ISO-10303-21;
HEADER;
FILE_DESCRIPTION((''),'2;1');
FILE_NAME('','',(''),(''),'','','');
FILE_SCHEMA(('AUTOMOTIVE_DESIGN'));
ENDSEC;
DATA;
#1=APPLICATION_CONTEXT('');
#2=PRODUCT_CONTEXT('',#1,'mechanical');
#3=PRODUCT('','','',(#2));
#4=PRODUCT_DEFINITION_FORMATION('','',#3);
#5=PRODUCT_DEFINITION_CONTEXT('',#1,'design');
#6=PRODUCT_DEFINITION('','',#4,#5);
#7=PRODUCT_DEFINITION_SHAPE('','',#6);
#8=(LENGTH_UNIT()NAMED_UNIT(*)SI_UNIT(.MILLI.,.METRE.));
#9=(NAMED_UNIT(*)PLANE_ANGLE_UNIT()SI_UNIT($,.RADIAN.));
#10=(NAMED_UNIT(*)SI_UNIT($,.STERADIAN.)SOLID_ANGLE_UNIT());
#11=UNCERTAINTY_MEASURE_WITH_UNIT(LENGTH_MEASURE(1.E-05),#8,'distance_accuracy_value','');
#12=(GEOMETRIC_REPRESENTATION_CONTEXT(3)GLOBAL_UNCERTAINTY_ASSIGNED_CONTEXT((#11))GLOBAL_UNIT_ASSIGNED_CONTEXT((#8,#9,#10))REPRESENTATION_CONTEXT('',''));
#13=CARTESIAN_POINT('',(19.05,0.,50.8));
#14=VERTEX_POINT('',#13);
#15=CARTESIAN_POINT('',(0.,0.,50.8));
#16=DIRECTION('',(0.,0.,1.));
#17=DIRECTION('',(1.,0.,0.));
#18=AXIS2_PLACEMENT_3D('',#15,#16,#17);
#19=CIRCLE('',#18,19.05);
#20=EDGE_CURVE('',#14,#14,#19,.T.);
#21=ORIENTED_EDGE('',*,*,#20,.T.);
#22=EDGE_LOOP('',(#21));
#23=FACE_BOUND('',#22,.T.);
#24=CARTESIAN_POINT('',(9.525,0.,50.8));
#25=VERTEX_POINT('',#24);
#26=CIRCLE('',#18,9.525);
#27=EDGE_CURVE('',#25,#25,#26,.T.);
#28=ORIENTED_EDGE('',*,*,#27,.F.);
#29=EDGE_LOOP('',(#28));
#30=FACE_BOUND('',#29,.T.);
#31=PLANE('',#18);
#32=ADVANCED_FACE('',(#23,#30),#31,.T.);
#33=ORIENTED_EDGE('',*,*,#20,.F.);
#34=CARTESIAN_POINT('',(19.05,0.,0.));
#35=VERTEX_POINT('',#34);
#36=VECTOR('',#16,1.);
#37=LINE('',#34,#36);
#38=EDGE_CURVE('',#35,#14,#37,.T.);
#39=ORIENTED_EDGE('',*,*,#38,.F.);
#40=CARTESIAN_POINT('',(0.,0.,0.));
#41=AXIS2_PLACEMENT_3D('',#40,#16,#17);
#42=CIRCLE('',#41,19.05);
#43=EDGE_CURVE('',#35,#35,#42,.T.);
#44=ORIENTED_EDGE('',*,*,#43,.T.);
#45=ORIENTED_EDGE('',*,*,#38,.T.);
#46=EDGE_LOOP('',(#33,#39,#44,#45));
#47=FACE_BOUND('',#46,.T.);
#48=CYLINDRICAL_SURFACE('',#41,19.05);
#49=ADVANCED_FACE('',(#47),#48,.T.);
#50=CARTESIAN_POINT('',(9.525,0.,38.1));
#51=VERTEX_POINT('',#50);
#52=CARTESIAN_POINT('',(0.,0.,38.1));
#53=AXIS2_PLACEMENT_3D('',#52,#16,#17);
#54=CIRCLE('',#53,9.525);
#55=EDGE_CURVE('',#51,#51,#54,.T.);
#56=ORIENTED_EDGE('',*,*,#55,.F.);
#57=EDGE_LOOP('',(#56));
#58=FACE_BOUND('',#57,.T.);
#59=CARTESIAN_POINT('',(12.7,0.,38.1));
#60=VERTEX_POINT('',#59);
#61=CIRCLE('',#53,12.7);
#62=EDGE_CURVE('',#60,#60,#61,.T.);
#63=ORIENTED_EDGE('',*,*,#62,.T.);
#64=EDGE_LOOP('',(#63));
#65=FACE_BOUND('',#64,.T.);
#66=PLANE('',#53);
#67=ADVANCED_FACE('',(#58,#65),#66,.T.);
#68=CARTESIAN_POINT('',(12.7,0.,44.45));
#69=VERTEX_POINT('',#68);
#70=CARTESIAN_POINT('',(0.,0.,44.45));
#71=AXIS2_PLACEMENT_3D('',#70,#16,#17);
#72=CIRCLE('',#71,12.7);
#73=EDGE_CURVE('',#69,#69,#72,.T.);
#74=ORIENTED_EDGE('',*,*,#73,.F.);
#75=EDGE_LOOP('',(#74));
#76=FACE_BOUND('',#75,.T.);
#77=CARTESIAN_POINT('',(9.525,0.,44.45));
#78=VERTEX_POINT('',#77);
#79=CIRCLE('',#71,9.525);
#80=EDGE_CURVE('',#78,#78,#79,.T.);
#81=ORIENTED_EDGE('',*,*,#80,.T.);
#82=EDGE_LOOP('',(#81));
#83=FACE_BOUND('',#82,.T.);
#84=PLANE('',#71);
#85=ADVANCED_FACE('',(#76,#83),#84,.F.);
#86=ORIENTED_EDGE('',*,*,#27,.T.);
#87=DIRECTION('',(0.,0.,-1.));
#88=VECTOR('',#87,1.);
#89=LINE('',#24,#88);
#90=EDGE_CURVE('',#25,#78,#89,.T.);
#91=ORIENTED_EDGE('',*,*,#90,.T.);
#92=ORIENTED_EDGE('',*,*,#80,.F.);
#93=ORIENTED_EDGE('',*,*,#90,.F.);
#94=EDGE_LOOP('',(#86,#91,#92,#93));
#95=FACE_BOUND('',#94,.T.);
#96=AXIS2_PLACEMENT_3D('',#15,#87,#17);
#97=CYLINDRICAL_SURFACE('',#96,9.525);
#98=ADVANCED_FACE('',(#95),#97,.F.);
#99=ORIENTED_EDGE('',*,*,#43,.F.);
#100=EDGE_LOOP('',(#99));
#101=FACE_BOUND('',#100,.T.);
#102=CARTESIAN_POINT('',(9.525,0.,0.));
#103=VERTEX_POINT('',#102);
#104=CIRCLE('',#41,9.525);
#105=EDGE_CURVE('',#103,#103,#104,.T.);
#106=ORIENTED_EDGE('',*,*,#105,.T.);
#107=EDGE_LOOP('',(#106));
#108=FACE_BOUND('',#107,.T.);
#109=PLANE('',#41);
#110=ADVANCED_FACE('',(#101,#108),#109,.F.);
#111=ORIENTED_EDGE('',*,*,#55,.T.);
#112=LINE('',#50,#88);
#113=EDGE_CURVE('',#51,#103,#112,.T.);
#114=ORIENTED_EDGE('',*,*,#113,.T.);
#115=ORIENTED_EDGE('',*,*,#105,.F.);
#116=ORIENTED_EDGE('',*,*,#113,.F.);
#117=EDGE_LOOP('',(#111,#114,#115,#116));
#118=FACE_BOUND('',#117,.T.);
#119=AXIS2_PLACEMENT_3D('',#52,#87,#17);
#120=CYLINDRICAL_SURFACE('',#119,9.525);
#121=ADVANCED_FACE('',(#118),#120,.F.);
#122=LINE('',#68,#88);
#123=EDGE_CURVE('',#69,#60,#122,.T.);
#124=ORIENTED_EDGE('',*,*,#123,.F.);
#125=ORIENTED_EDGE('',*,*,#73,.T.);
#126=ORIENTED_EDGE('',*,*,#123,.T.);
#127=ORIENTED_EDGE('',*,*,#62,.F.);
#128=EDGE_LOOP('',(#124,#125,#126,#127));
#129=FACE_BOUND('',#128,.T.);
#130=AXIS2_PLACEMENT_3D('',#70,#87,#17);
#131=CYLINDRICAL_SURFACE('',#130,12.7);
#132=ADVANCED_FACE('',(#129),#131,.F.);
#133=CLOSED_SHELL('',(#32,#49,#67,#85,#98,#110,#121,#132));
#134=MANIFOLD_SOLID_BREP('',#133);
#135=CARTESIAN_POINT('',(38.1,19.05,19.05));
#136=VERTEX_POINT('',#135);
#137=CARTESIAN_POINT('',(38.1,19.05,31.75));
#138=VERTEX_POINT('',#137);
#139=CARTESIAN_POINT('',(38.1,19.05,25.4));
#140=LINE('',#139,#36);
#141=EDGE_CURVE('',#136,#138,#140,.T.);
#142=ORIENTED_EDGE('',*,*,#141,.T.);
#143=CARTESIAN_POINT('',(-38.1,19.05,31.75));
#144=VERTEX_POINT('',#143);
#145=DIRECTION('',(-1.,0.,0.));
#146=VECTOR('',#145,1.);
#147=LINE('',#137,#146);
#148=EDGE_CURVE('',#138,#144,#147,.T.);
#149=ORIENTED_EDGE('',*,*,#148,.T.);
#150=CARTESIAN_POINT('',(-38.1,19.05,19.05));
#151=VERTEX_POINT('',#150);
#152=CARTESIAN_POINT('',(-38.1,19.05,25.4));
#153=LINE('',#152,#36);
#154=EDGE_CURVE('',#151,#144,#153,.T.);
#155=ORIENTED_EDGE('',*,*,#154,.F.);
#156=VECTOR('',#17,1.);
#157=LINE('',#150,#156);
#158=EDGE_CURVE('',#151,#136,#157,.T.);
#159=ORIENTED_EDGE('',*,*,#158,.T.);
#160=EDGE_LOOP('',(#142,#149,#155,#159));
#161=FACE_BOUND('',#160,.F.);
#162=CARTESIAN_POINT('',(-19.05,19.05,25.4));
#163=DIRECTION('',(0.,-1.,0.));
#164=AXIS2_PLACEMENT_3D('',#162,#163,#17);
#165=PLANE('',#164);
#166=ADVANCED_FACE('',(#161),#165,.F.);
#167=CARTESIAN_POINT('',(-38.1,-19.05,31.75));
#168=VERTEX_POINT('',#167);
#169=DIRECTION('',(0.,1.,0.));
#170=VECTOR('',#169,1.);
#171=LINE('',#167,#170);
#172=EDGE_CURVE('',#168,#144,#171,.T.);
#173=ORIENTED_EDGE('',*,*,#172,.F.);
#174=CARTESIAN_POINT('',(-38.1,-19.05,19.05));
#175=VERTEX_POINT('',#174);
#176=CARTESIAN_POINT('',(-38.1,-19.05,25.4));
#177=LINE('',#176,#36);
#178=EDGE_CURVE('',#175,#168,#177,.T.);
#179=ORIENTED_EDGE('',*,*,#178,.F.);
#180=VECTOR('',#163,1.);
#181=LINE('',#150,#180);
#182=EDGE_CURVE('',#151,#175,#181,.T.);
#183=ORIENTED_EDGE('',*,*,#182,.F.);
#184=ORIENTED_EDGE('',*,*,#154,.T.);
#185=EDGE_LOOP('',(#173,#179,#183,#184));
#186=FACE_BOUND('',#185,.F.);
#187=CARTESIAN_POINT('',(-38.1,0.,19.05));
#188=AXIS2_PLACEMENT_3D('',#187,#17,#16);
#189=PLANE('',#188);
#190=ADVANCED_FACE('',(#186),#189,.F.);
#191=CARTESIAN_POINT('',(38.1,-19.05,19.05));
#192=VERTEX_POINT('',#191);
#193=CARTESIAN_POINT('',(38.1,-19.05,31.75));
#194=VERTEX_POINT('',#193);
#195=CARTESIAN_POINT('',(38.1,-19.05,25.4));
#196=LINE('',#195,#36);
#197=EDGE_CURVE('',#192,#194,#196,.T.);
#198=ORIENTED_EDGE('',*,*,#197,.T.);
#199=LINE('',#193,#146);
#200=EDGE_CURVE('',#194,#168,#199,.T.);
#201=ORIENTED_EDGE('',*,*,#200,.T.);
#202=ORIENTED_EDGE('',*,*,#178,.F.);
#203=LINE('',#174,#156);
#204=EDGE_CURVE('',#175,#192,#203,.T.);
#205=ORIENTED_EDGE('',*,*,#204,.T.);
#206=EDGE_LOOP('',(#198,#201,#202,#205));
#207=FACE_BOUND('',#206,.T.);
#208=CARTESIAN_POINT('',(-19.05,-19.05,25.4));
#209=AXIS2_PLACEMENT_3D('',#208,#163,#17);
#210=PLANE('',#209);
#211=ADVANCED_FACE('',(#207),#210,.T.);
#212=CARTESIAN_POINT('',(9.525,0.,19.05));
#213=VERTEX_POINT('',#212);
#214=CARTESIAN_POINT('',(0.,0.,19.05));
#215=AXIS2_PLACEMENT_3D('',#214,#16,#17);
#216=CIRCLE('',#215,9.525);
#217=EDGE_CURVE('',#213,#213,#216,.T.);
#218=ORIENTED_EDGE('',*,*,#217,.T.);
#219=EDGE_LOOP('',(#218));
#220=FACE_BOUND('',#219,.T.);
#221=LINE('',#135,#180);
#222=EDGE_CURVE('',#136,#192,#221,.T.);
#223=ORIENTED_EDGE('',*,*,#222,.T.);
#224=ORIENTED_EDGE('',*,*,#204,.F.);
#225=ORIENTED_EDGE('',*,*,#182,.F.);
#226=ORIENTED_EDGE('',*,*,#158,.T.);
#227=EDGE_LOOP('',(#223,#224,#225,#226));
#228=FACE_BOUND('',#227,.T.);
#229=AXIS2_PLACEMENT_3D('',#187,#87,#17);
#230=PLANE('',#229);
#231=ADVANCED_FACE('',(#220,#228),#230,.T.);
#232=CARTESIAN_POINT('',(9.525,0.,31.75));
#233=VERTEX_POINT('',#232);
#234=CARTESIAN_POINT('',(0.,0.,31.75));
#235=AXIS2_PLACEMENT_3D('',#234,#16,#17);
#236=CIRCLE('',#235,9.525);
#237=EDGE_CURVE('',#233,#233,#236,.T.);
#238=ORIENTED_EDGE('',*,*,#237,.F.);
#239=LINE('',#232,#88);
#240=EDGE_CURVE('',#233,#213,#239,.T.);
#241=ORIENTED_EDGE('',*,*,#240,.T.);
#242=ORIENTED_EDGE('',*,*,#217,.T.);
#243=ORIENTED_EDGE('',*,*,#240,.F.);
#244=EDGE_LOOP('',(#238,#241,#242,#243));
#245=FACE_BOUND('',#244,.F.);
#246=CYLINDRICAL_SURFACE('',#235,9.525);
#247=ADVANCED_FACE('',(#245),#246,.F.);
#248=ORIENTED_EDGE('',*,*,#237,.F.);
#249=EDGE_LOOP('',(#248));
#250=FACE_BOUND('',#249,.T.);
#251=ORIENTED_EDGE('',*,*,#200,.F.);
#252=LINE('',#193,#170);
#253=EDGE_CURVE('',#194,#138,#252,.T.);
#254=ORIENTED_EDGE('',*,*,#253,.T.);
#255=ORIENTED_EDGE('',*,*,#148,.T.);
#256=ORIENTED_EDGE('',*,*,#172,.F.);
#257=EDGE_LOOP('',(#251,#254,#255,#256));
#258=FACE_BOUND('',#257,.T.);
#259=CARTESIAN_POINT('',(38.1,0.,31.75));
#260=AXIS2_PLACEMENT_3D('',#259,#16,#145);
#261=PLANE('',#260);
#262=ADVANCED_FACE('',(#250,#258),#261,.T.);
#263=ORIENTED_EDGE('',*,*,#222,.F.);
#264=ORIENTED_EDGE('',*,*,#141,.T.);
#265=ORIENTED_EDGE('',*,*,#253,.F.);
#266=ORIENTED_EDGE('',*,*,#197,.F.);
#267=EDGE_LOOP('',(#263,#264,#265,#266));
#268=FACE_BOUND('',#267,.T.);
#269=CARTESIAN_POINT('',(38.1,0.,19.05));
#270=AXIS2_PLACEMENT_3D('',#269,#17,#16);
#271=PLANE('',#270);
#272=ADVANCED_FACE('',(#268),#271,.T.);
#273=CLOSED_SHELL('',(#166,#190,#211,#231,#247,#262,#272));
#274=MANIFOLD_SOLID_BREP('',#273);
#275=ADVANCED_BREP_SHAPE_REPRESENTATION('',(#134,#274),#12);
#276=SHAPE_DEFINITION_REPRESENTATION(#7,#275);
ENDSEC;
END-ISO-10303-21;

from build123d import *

# Parameters (mm, degrees)
F0_W     = 9.525
F0_H     = 19.05
F0_H_2   = 12.7
F0_W_2   = 38.1
F0_W_3   = 19.05
F2_DEPTH = 19.05
F3_R     = 9.525
F4_DEPTH = 31.751


with BuildPart() as f1:
    # F0 (on Front) → F1 (revolve)
    with BuildSketch(Plane.XZ):
        Polygon((12.7, 38.1), (9.525, 38.1), (9.525, 31.75), (19.05, 31.75), (19.05, 50.8), (9.525, 50.8), (9.525, 44.45), (12.7, 44.45), align=None)
        with Locations((14.2875, 9.525)):
            Rectangle(F0_W, F0_H)
        with Locations((14.2875, 25.4)):
            Rectangle(F0_W, F0_H_2)
    revolve(axis=Axis((0, 0, 25.4), (0, 0, 1)))


with BuildPart() as f2:
    # F0 (on Front) → F2 (new body, symmetric)
    with BuildSketch(Plane.XZ):
        with Locations((-19.05, 25.4)):
            Rectangle(F0_W_2, F0_H_2)
        with Locations((28.575, 25.4)):
            Rectangle(F0_W_3, F0_H_2)
        with Locations((4.7625, 25.4)):
            Rectangle(F0_W, F0_H_2)
        with Locations((14.2875, 25.4)):
            Rectangle(F0_W, F0_H_2)
    extrude(amount=F2_DEPTH, both=True)

    # F3 (on face) → F4 (cut, through all)
    with BuildSketch(Plane.XY.offset(31.75)):
        Circle(F3_R)
    extrude(amount=-F4_DEPTH, mode=Mode.SUBTRACT)


solid = Compound([f1.part, f2.part])
